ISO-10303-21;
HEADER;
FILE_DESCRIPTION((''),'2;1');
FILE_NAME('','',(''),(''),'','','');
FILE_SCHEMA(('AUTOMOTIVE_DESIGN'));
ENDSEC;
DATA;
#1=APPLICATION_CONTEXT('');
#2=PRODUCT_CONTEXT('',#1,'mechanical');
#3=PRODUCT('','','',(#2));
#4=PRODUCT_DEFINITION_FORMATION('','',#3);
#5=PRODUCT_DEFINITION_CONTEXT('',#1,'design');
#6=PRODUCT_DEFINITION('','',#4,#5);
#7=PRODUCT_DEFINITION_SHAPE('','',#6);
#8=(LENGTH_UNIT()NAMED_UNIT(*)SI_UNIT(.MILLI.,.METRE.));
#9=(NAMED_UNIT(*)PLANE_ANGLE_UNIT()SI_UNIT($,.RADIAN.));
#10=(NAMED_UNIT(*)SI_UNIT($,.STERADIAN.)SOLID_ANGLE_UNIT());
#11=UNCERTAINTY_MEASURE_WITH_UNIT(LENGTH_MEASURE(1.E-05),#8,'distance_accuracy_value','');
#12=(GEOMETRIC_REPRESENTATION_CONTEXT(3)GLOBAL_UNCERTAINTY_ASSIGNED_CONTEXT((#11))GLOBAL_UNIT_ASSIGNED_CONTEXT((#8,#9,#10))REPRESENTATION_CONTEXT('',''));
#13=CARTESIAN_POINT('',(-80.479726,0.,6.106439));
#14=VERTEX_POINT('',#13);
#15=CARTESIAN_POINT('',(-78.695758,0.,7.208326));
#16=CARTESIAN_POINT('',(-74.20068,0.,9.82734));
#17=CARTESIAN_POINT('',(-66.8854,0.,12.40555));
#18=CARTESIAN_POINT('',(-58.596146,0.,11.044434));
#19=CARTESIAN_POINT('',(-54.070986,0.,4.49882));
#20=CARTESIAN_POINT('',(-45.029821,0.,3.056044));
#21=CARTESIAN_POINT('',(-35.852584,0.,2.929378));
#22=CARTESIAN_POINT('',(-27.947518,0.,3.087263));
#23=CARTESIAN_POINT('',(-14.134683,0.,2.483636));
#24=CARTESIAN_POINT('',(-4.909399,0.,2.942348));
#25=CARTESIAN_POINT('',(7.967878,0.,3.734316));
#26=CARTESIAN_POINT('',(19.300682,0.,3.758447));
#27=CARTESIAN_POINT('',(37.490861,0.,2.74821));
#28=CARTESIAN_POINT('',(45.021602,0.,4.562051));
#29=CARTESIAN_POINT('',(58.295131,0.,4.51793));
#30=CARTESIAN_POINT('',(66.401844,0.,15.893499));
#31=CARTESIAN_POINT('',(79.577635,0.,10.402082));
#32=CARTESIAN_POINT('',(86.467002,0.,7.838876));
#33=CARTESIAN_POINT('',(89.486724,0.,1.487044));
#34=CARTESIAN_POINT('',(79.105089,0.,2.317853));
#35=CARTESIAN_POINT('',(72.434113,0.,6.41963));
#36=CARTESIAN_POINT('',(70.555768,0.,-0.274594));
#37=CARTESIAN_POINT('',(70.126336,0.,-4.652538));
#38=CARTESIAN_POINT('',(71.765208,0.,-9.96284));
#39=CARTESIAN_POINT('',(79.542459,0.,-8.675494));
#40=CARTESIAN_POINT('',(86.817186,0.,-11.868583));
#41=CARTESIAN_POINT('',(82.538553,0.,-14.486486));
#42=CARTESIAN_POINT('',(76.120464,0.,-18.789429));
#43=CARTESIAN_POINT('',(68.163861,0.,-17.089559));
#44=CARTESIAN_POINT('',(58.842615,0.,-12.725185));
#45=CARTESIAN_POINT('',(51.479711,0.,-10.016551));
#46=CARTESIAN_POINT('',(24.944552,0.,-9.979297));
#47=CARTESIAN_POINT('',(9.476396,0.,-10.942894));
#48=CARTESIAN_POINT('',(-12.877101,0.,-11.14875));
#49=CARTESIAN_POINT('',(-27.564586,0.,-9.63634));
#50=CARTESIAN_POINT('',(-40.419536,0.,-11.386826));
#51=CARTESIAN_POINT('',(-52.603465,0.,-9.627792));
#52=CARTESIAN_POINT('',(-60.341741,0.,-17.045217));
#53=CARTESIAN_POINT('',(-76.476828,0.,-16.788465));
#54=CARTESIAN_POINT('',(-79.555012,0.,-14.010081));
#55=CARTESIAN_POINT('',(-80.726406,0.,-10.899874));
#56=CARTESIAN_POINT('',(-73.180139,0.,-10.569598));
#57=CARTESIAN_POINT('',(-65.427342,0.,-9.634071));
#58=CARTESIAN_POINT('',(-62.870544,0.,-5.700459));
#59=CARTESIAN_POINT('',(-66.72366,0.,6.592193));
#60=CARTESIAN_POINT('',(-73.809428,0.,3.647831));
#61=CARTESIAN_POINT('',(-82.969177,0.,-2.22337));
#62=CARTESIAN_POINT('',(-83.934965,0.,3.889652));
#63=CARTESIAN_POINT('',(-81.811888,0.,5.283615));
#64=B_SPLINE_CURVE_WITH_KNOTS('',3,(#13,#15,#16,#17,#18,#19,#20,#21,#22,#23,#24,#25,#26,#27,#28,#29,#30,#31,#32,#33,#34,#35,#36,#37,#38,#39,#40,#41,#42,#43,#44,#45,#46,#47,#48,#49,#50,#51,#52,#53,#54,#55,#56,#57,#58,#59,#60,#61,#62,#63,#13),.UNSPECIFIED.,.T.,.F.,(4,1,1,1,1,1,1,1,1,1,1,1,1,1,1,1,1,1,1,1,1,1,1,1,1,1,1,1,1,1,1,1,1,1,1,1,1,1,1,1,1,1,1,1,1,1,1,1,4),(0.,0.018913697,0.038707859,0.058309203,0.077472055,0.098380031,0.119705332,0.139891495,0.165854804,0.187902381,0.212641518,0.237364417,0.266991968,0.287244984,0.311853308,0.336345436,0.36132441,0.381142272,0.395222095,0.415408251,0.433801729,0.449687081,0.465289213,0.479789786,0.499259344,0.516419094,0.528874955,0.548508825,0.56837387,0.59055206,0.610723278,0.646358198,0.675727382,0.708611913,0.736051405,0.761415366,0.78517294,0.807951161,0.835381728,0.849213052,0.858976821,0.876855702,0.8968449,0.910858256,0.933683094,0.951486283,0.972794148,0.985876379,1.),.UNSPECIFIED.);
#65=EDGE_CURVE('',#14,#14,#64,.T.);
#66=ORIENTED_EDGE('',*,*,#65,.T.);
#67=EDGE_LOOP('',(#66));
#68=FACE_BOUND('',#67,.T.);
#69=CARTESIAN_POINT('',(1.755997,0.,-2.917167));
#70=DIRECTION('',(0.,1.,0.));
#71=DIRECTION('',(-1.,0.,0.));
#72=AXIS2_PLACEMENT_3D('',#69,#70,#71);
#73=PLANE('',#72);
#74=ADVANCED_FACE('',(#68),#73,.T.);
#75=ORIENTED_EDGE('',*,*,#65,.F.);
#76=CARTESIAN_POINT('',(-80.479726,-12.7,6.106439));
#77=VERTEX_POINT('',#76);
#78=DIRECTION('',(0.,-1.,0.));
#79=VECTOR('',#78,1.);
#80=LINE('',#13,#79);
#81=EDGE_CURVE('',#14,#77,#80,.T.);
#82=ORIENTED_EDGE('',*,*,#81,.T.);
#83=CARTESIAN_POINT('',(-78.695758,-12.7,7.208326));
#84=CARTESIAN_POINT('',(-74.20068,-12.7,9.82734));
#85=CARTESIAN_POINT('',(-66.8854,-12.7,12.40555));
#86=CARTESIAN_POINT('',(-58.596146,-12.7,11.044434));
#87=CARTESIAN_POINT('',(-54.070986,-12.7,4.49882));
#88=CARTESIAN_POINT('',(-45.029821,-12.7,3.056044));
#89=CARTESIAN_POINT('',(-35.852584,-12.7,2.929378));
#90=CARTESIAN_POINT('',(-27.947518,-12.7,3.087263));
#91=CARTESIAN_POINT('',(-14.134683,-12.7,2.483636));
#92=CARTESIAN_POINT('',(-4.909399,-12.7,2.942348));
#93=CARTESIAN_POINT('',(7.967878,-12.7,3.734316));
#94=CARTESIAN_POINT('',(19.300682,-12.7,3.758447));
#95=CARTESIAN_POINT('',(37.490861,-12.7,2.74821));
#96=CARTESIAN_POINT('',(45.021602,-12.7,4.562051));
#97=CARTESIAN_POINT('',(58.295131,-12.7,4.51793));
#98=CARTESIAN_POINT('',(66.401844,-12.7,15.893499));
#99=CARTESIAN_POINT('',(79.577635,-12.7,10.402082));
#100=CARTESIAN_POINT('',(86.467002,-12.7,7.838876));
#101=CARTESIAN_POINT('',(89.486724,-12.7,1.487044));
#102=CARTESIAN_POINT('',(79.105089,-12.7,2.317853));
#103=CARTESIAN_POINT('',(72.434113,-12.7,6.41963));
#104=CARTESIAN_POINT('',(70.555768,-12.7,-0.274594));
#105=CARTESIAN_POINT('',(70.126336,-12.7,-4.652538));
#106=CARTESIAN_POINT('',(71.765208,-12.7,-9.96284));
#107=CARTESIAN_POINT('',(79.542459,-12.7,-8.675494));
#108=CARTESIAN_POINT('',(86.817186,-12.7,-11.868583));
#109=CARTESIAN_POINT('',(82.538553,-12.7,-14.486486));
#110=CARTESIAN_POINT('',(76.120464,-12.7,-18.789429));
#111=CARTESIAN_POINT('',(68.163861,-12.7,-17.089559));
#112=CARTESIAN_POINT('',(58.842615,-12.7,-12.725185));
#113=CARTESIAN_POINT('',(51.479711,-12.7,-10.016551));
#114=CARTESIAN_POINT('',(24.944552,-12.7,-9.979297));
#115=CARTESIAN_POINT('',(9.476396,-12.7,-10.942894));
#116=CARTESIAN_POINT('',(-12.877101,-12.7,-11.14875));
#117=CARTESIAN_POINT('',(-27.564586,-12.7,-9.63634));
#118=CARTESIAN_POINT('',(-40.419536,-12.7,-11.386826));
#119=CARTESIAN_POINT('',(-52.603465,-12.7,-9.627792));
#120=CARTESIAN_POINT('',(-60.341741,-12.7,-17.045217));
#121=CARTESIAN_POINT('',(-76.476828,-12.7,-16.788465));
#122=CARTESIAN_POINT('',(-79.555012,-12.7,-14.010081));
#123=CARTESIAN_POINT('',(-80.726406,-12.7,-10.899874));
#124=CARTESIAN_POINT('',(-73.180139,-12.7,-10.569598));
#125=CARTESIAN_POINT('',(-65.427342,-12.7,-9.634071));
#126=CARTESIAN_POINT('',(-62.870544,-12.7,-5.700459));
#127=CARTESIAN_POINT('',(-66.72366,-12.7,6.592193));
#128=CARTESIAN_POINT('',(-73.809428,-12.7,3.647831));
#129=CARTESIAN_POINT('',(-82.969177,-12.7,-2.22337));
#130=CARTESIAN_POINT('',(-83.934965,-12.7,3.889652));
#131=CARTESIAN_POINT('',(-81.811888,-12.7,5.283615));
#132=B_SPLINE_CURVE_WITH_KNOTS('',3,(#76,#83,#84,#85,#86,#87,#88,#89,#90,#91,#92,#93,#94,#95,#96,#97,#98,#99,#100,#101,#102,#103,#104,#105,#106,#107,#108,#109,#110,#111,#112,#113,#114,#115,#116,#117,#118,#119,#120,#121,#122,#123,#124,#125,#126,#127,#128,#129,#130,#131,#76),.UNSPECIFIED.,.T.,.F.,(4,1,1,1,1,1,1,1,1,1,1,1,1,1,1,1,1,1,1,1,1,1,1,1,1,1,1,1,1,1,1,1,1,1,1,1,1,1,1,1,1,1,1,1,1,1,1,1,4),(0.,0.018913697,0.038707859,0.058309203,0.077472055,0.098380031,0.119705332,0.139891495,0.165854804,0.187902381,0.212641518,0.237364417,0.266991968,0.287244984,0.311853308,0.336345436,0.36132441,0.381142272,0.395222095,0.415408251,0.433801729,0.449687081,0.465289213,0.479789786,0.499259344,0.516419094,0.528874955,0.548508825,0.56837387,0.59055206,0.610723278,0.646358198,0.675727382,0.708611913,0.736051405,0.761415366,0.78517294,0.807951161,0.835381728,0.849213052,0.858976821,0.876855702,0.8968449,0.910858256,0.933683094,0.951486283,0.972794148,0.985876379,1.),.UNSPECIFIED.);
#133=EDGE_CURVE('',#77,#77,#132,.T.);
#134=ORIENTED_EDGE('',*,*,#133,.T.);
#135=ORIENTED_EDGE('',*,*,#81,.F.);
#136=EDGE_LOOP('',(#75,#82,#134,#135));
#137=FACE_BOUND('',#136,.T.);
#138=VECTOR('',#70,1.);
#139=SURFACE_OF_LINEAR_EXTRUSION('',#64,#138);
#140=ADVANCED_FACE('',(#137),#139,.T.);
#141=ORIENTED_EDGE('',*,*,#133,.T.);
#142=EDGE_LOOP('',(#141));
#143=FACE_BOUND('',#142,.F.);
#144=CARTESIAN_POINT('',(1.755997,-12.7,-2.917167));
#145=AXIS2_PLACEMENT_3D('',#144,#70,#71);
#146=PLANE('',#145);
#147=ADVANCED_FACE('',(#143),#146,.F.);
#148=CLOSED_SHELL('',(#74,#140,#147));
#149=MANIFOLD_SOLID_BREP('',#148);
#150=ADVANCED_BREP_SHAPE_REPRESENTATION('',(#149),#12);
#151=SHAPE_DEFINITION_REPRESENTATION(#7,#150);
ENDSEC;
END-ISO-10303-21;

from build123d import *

# Parameters (mm, degrees)
F1_DEPTH = 12.7


with BuildPart() as f1:
    # F0 (on Front) → F1 (new body)
    with BuildSketch(Plane.XZ):
        with BuildLine():
            add(Edge.make_bspline(
                [(-80.4797261953, 6.1064385809), (-78.6957575235, 7.2083260957), (-74.2006796696, 9.8273403765), (-66.8854002043, 12.4055500117), (-58.5961459492, 11.0444339349), (-54.0709861413, 4.498820332), (-45.0298207542, 3.0560442828), (-35.8525840576, 2.9293775809), (-27.9475184406, 3.0872629011), (-14.1346832779, 2.4836355372), (-4.9093991163, 2.942347874), (7.9678780157, 3.7343155603), (19.3006817718, 3.758446698), (37.4908612065, 2.748209775), (45.021601744, 4.562051183), (58.2951305225, 4.5179298919), (66.4018442642, 15.8934988479), (79.5776346377, 10.4020824544), (86.4670016207, 7.838875759), (89.4867241206, 1.4870444753), (79.1050886894, 2.3178529139), (72.4341129232, 6.4196303991), (70.5557679052, -0.2745939359), (70.126336049, -4.6525382673), (71.7652078975, -9.962839669), (79.5424589312, -8.6754943305), (86.8171860305, -11.8685830326), (82.5385534288, -14.4864856136), (76.1204636816, -18.7894294338), (68.1638614697, -17.0895585995), (58.8426149526, -12.7251845666), (51.4797107756, -10.0165510343), (24.9445521278, -9.9792966951), (9.476396021, -10.9428939453), (-12.8771005567, -11.1487502946), (-27.5645863001, -9.6363395594), (-40.4195356512, -11.3868256314), (-52.6034646882, -9.6277918037), (-60.3417405167, -17.045216763), (-76.4768284663, -16.7884646301), (-79.5550118879, -14.0100809943), (-80.7264062013, -10.8998738801), (-73.1801391315, -10.5695977986), (-65.4273418966, -9.6340709887), (-62.8705437889, -5.7004594059), (-66.7236602965, 6.5921926731), (-73.8094282255, 3.6478306409), (-82.9691773417, -2.2233704156), (-83.9349647064, 3.8896522498), (-81.8118875526, 5.283614733), (-80.4797261953, 6.1064385809)],
                knots=[0, 0, 0, 0, 0.0189136974, 0.0387078595, 0.0583092027, 0.0774720555, 0.0983800313, 0.1197053316, 0.1398914951, 0.1658548042, 0.1879023807, 0.2126415178, 0.2373644165, 0.2669919682, 0.2872449842, 0.3118533079, 0.336345436, 0.3613244103, 0.3811422725, 0.3952220947, 0.4154082512, 0.433801729, 0.4496870815, 0.465289213, 0.4797897863, 0.4992593436, 0.5164190937, 0.5288749551, 0.548508825, 0.5683738701, 0.5905520604, 0.6107232777, 0.6463581976, 0.6757273825, 0.7086119132, 0.7360514049, 0.7614153656, 0.7851729404, 0.8079511605, 0.8353817279, 0.8492130522, 0.8589768211, 0.8768557015, 0.8968449, 0.9108582558, 0.9336830941, 0.9514862835, 0.9727941481, 0.9858763793, 1, 1, 1, 1], degree=3))
        make_face()
    extrude(amount=F1_DEPTH)


solid = f1.part
